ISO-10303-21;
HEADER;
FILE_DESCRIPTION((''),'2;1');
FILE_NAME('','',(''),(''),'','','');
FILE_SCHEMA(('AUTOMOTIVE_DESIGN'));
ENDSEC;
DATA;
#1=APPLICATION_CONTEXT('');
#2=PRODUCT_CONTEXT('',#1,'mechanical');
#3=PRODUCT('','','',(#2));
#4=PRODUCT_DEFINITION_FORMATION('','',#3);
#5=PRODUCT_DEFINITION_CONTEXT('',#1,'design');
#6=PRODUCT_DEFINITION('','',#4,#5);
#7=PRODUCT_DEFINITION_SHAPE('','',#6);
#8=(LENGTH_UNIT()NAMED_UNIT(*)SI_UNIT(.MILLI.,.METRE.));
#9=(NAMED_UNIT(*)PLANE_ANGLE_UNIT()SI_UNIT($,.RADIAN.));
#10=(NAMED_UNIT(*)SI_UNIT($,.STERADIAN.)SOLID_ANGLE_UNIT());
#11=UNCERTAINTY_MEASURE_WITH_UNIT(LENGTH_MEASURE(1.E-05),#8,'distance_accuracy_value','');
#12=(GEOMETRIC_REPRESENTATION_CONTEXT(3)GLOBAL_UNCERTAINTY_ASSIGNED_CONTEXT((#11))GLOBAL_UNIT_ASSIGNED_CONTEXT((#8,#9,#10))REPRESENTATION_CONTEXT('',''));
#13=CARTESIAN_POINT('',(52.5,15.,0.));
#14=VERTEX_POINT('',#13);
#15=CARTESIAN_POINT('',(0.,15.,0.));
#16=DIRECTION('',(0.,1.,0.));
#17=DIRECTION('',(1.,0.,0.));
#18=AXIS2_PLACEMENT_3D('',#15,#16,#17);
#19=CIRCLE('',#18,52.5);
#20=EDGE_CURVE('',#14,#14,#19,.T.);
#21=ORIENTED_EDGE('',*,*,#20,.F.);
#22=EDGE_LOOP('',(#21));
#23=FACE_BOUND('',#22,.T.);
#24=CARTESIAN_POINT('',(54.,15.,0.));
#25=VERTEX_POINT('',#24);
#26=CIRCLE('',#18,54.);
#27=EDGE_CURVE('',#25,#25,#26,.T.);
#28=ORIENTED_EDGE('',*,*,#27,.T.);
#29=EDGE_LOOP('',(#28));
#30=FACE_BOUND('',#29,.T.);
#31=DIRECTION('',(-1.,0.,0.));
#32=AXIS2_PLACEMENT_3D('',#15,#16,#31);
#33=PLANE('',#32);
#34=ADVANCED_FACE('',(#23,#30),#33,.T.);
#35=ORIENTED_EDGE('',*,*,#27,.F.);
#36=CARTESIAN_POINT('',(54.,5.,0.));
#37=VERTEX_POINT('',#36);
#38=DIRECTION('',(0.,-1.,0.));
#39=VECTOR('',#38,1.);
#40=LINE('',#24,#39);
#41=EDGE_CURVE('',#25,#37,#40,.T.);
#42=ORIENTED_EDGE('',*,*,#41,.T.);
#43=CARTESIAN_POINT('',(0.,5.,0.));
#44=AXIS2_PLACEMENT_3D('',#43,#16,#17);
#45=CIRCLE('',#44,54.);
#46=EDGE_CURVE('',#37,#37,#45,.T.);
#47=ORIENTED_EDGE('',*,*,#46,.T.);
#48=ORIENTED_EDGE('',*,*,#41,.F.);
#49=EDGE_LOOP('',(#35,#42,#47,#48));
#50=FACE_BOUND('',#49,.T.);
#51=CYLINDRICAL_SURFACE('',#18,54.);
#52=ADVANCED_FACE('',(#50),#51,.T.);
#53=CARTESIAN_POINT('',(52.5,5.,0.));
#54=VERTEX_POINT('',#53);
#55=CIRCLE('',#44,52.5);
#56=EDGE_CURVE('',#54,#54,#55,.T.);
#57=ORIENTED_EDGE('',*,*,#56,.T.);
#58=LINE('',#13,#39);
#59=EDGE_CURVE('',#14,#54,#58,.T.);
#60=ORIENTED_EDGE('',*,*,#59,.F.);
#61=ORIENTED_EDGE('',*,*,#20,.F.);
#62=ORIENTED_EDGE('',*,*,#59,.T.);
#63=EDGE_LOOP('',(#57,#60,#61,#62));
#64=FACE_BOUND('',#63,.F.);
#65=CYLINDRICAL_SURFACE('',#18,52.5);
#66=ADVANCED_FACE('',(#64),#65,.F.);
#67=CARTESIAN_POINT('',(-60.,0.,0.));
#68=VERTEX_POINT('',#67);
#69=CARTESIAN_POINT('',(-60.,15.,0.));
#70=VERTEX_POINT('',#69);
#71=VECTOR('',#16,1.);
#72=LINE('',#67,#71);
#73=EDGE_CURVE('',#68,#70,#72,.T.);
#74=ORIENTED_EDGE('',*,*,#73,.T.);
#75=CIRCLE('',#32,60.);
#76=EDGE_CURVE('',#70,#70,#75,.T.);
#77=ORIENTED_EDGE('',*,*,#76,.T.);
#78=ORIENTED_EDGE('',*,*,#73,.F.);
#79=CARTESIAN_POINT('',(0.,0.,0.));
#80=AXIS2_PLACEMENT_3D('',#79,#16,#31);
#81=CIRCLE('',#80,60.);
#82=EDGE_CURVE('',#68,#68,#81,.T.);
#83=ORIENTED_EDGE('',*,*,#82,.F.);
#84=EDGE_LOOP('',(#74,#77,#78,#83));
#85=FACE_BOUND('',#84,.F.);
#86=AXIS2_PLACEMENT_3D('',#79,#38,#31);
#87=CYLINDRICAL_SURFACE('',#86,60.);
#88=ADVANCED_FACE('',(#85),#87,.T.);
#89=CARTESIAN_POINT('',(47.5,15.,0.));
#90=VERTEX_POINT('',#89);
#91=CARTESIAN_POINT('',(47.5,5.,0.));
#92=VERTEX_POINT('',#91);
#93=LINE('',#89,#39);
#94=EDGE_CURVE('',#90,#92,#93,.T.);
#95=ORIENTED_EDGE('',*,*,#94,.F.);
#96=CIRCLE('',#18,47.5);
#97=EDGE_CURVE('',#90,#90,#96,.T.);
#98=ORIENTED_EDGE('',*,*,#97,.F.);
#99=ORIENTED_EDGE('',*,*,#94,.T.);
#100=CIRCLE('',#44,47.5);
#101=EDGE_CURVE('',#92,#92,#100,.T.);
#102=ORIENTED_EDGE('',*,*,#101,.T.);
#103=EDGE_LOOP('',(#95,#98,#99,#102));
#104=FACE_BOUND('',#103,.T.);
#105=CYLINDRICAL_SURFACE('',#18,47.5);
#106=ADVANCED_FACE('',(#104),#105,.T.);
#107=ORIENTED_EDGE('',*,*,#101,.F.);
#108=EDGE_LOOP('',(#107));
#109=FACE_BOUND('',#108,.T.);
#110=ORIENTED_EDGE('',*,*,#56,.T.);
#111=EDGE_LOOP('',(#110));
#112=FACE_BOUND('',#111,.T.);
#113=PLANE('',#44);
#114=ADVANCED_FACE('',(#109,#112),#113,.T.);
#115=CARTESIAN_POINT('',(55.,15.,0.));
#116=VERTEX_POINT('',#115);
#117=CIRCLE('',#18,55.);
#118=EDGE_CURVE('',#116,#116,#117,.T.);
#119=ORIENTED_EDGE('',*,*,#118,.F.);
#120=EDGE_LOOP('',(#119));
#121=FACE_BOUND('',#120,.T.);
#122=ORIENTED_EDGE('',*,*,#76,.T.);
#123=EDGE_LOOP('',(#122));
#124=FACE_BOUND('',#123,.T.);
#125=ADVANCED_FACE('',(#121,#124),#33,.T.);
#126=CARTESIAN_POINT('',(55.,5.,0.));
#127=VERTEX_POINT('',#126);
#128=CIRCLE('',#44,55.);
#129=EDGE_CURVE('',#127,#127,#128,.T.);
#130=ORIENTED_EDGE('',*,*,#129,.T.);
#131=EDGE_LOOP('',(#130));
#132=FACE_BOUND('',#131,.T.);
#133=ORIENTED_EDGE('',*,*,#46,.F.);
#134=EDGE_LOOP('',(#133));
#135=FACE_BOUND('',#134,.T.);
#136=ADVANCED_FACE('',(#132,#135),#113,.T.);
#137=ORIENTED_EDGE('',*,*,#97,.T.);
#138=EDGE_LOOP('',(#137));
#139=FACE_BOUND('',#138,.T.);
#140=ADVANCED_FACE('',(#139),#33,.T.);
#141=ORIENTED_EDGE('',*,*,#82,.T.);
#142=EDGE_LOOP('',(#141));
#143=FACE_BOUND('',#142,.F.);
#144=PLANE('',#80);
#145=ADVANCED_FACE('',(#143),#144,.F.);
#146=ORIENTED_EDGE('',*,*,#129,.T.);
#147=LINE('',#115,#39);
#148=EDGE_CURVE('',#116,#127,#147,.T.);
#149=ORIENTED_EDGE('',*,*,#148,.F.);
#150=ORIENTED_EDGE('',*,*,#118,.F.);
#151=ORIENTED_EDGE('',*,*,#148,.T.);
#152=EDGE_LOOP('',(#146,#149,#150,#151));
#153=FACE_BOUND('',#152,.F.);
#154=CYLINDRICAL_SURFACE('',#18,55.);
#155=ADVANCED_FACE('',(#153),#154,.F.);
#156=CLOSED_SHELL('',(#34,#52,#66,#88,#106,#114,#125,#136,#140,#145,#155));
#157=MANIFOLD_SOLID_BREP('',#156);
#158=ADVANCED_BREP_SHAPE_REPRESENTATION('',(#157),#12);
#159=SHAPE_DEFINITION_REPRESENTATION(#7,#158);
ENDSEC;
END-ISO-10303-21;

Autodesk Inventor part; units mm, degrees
ref_plane "YZ Plane" through (0, 0, 0) normal (1, 0, 0) x (0, 1, 0)
ref_plane "XZ Plane" through (0, 0, 0) normal (0, 1, 0) x (-1, 0, 0)
ref_plane "XY Plane" through (0, 0, 0) normal (0, 0, 1) x (1, 0, 0)
sketch "Sketch1" plane through (0, 0, 0) normal (0, 1, 0) x (-1, 0, 0)
  circle A0 centre (0, 0) radius 60
  dimension "d0" = 120
extrude "Extrusion1" add sketch "Sketch1" along normal blind 15
sketch "Sketch2" plane through (0, 15, 0) normal (0, 1, 0) x (1, 0, 0)
  circle A0 centre (0, 0) radius 52.5
  circle A1 centre (0, 0) radius 47.5
  dimension "d3" = 105
  dimension "d4" = 95
extrude "Extrusion2" cut sketch "Sketch2" against normal blind 10
sketch "Sketch3" plane through (0, 15, 0) normal (0, 1, 0) x (1, 0, 0)
  circle A0 centre (0, 0) radius 55
  circle A1 centre (0, 0) radius 54
  dimension "d7" = 110
  dimension "d8" = 108
extrude "Extrusion3" cut sketch "Sketch3" against normal blind 10
properties part number "pathBase" material "Stainless Steel"
